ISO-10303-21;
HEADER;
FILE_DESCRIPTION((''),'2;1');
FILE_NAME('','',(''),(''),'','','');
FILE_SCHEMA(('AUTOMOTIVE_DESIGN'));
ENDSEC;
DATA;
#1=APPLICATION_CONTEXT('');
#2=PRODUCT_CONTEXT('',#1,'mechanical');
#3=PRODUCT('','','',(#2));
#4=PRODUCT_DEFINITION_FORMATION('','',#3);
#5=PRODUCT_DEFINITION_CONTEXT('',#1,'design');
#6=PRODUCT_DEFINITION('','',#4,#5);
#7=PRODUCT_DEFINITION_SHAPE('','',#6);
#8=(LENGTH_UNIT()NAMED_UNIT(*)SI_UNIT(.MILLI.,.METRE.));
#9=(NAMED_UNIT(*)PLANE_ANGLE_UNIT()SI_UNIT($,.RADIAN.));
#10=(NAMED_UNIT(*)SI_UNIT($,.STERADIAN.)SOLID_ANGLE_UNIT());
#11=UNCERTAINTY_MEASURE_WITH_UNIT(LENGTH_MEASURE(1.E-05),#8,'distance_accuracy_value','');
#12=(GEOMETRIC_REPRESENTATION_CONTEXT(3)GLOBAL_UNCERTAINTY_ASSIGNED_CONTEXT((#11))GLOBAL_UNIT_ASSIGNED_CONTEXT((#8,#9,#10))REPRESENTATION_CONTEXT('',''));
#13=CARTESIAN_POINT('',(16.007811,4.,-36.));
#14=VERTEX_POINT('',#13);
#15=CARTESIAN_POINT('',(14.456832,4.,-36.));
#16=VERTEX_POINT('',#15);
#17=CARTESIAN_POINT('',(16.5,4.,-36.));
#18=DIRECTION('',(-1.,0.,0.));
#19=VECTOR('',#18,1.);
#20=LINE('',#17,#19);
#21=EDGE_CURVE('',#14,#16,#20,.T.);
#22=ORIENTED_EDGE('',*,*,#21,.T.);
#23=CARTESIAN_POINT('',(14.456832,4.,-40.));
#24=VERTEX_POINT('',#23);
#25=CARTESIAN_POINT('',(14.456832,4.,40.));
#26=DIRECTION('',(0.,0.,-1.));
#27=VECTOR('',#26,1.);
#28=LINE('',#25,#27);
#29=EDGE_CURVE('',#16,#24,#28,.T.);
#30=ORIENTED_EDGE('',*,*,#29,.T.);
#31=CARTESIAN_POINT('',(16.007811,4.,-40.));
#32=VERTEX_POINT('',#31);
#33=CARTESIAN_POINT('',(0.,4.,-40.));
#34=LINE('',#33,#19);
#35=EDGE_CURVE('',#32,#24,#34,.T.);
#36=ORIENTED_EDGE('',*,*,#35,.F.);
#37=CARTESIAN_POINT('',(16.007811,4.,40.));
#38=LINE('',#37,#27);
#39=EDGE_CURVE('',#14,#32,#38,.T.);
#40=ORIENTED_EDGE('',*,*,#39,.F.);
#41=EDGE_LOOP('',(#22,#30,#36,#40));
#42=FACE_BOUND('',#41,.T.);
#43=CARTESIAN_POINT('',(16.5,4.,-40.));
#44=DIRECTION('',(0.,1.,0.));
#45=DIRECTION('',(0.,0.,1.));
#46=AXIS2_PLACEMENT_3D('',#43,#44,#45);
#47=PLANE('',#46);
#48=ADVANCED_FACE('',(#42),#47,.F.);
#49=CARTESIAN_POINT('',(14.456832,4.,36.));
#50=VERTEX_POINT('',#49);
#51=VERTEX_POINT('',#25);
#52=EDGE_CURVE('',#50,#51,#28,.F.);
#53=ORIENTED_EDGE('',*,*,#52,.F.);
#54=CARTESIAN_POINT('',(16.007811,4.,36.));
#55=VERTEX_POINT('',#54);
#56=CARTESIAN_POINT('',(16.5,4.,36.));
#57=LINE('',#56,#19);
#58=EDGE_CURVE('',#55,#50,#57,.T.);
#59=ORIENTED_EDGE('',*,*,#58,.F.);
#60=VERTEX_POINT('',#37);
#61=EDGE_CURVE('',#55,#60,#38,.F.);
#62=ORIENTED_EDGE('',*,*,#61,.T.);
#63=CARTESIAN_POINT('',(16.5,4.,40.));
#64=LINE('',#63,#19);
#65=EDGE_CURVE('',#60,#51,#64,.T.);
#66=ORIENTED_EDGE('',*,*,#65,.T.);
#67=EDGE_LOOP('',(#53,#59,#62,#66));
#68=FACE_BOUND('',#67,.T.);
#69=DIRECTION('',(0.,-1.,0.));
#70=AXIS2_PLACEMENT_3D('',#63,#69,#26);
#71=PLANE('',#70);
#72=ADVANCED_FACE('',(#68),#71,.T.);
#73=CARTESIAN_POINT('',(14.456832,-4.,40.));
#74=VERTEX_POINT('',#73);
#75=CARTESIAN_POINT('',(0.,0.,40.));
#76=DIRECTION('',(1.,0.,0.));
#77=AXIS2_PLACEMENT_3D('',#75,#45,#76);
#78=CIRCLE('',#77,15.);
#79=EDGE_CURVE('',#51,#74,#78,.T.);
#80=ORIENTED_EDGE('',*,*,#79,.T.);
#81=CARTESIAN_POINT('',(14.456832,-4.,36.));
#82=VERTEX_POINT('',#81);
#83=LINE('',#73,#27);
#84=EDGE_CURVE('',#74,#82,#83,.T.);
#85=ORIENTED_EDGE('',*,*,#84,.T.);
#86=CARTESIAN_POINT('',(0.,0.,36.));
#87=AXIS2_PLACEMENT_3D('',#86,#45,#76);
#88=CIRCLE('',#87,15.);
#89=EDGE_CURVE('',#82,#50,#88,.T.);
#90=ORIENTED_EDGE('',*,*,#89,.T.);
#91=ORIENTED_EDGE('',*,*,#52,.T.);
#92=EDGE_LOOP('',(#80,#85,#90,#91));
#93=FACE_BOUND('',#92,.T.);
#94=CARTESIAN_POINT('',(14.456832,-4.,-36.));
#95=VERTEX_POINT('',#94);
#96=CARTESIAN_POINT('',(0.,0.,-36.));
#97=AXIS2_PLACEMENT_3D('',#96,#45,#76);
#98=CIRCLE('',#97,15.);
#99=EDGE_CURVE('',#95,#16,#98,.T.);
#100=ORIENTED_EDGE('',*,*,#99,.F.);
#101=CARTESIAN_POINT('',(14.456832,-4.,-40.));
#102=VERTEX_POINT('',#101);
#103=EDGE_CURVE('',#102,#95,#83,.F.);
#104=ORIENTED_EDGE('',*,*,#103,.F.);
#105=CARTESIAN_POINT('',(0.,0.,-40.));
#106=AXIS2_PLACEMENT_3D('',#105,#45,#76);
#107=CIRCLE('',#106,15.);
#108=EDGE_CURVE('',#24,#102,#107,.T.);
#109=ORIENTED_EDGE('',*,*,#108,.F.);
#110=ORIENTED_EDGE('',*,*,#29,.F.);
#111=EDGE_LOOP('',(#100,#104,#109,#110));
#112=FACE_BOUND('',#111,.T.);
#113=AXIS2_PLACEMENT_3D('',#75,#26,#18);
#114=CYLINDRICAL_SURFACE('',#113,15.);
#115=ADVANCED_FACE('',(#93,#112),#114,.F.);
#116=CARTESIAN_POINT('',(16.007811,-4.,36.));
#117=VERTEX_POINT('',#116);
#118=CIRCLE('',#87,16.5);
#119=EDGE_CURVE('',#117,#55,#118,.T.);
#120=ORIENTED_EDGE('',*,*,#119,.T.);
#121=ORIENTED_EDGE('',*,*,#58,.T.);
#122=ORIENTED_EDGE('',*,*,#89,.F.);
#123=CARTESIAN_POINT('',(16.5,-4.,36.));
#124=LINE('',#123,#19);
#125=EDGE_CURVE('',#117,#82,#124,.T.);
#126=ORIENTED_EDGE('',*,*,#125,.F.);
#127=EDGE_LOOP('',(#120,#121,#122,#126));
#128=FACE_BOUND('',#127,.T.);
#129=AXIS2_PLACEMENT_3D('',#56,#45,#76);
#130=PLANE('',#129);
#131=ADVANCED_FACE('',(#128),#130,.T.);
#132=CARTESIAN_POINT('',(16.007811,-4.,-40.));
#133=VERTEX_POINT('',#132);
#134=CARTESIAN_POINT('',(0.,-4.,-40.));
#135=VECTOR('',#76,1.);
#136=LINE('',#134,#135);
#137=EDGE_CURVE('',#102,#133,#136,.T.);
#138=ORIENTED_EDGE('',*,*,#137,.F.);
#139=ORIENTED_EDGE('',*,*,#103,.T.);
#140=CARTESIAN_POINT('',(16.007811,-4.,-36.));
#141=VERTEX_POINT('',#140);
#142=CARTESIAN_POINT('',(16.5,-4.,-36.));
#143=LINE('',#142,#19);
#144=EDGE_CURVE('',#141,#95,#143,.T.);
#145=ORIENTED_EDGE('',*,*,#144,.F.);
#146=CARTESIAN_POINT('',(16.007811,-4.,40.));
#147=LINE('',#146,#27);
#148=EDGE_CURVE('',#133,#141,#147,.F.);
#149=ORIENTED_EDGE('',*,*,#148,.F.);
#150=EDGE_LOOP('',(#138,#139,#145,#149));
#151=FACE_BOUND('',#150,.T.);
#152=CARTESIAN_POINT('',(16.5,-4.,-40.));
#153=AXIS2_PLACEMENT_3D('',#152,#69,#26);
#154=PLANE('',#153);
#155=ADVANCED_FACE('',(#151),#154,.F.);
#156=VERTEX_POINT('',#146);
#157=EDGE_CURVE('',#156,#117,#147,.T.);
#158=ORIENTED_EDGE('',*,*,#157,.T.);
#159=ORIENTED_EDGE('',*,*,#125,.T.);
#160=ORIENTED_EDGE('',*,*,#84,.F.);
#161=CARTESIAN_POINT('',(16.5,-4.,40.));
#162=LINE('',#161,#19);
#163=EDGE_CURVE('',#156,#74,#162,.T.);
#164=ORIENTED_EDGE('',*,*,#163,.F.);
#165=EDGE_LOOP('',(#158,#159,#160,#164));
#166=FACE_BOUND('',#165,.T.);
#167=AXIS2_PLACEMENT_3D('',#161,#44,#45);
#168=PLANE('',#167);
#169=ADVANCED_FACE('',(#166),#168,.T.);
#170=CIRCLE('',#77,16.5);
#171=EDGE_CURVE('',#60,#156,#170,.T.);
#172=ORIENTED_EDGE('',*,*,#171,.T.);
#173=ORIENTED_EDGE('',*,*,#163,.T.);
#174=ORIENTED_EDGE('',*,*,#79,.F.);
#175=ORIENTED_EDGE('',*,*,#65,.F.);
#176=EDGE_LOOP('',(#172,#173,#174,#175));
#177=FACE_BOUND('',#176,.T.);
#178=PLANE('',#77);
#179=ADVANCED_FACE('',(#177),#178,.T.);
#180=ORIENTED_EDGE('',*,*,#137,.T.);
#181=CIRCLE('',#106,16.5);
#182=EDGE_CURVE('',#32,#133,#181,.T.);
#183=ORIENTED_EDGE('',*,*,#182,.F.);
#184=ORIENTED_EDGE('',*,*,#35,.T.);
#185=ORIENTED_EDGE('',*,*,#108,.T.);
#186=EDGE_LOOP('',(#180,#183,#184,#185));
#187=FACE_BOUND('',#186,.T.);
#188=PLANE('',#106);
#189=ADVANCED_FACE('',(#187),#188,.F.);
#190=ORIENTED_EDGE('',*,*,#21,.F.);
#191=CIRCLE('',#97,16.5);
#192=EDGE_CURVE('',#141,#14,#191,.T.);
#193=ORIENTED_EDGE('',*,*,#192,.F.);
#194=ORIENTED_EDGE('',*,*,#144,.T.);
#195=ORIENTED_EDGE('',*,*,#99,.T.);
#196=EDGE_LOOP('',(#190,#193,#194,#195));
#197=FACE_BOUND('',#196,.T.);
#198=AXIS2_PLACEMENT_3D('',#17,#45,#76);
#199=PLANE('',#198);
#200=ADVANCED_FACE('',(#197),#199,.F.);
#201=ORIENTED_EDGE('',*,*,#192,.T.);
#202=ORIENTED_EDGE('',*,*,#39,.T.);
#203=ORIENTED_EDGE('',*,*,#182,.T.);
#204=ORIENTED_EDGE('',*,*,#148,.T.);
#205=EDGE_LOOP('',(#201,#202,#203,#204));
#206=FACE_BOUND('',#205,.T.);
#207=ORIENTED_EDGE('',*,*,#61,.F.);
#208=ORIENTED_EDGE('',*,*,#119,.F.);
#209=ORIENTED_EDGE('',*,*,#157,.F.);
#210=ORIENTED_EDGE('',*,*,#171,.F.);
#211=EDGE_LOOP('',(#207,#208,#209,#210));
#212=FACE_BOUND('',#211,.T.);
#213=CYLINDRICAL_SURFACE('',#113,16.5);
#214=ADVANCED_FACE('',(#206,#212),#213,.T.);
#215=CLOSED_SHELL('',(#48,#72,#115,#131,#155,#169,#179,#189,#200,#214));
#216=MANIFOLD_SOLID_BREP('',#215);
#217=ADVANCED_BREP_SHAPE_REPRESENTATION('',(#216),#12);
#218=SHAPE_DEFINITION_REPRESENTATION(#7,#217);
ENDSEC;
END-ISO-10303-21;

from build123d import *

# Parameters (mm, degrees)
SKETCH1_R           = 16.5
SKETCH1_R_2         = 15
BOSS_EXTRUDE1_DEPTH = 40
SKETCH3_W           = 4
SKETCH3_H           = 8
CUT_EXTRUDE1_DEPTH  = 47.308746474


with BuildPart() as part:
    # Sketch1 → Boss-Extrude1 (new, symmetric)
    with BuildSketch(Plane.XY):
        Circle(SKETCH1_R)
        Circle(SKETCH1_R_2, mode=Mode.SUBTRACT)
    extrude(amount=BOSS_EXTRUDE1_DEPTH, both=True)

    # Sketch3 → Cut-Extrude1 (cut, through all)
    with BuildSketch(Plane(origin=(0, 0, 0), x_dir=(0, 0, -1), z_dir=(1, 0, 0))):
        with Locations((-38, 0)):
            Rectangle(SKETCH3_W, SKETCH3_H)
    cut_extrude1 = extrude(amount=CUT_EXTRUDE1_DEPTH, mode=Mode.SUBTRACT)

    # Mirror1: Cut-Extrude1 across plane
    add(cut_extrude1.mirror(Plane.XY), mode=Mode.SUBTRACT)


solid = part.part
